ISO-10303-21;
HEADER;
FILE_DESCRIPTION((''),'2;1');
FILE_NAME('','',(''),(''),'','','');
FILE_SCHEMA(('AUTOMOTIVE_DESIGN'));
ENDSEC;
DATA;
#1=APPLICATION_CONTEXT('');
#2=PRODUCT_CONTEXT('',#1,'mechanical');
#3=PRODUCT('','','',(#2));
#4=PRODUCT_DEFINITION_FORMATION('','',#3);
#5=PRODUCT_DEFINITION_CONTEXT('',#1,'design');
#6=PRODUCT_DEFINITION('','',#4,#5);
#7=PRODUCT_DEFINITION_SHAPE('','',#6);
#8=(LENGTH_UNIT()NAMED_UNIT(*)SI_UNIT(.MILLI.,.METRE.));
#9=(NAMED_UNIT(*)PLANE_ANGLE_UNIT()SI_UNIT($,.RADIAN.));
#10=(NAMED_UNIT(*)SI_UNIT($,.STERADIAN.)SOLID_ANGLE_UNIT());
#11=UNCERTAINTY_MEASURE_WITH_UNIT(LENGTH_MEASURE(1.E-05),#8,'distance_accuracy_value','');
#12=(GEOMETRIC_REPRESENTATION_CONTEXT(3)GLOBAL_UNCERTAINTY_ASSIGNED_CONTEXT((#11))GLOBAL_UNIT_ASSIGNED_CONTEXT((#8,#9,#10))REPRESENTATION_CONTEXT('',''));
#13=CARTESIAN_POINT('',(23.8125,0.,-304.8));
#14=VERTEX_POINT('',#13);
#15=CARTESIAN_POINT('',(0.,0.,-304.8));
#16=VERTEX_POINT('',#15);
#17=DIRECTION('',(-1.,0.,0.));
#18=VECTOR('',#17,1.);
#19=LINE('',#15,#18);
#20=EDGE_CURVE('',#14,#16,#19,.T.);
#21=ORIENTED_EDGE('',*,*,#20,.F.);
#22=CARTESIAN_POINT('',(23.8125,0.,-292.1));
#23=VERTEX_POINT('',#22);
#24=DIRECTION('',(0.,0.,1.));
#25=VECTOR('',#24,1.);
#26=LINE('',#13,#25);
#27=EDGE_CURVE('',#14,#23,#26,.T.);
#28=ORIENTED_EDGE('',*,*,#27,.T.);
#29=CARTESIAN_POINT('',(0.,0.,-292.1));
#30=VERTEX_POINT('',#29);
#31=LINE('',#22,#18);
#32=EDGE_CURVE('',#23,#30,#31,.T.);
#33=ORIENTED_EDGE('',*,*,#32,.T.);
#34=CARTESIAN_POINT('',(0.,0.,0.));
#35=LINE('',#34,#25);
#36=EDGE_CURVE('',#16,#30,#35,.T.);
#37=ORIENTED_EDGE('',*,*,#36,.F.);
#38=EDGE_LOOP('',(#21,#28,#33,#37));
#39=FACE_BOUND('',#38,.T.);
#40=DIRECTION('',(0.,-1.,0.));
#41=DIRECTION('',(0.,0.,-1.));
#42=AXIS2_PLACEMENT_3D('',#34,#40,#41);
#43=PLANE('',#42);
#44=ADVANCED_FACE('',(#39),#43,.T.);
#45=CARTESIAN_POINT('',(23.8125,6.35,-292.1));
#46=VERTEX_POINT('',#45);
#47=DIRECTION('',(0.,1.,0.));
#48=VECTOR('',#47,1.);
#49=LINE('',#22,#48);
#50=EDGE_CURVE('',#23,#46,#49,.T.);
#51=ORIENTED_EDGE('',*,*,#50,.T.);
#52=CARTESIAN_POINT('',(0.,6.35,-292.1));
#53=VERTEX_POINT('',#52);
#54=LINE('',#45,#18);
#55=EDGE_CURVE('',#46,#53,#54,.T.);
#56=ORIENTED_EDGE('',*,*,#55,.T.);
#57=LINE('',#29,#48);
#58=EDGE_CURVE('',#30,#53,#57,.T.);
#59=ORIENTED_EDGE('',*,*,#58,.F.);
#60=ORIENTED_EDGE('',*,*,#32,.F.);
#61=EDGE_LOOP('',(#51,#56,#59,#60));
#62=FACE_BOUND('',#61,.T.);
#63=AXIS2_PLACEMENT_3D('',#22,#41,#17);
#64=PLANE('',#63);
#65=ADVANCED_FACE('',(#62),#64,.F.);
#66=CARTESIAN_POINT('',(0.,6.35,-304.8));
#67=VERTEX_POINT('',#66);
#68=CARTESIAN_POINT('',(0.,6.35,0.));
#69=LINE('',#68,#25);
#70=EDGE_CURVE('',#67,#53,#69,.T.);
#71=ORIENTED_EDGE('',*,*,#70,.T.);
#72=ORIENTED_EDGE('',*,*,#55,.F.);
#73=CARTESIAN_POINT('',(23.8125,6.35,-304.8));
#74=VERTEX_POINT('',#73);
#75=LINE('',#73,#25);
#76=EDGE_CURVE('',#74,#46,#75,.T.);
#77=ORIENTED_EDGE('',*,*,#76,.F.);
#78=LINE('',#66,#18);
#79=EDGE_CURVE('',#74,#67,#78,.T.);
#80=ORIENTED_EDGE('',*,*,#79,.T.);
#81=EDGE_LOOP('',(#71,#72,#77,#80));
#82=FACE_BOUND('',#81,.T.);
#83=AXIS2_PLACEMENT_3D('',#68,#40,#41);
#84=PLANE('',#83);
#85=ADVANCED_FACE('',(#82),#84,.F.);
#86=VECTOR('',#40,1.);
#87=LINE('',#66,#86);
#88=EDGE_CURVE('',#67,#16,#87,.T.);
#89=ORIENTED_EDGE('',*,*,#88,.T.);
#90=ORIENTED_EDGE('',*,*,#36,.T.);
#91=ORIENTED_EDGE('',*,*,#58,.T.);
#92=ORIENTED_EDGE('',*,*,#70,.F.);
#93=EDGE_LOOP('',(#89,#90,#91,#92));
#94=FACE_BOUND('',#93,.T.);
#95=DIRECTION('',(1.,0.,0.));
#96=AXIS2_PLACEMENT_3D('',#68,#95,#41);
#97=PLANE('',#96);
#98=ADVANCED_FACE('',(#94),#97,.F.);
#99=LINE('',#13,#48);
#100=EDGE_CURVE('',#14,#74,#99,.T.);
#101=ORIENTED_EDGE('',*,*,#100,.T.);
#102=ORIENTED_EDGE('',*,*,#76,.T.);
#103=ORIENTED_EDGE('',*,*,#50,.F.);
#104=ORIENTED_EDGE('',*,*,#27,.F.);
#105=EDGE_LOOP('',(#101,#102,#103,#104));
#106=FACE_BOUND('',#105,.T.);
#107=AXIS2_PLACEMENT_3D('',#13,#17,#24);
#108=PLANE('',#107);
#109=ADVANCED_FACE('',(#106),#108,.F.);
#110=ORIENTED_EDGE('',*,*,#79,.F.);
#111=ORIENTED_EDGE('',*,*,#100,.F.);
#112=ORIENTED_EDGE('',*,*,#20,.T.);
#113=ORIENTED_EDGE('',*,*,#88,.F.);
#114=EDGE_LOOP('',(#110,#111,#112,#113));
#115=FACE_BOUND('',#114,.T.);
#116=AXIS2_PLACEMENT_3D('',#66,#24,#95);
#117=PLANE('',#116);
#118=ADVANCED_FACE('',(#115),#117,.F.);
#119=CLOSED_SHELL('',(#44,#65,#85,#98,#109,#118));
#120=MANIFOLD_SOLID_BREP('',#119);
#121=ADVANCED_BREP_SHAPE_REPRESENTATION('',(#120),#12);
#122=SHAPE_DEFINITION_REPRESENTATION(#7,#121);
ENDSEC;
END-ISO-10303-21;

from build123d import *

# Parameters (mm, degrees)
SKETCH1_W           = 304.8
SKETCH1_H           = 304.8
BOSS_EXTRUDE1_DEPTH = 6.35
CUT_EXTRUDE2_DEPTH  = 6.35


with BuildPart() as part:
    # Sketch1 → Boss-Extrude1 (new body)
    with BuildSketch(Plane(origin=(0, 0, 0), x_dir=(1, 0, 0), z_dir=(0, 1, 0))):
        with Locations((152.4, 152.4)):
            Rectangle(SKETCH1_W, SKETCH1_H)
    extrude(amount=BOSS_EXTRUDE1_DEPTH)

    # Sketch2 → Cut-Extrude2 (cut)
    with BuildSketch(Plane(origin=(0, 6.35, 0), x_dir=(1, 0, 0), z_dir=(0, 1, 0))):
        Polygon((23.8125, 304.8), (23.8125, 292.1), (0, 292.1), (0, 0), (304.8, 0), (304.8, 304.8), align=None)
    extrude(amount=-CUT_EXTRUDE2_DEPTH, mode=Mode.SUBTRACT)


solid = part.part
